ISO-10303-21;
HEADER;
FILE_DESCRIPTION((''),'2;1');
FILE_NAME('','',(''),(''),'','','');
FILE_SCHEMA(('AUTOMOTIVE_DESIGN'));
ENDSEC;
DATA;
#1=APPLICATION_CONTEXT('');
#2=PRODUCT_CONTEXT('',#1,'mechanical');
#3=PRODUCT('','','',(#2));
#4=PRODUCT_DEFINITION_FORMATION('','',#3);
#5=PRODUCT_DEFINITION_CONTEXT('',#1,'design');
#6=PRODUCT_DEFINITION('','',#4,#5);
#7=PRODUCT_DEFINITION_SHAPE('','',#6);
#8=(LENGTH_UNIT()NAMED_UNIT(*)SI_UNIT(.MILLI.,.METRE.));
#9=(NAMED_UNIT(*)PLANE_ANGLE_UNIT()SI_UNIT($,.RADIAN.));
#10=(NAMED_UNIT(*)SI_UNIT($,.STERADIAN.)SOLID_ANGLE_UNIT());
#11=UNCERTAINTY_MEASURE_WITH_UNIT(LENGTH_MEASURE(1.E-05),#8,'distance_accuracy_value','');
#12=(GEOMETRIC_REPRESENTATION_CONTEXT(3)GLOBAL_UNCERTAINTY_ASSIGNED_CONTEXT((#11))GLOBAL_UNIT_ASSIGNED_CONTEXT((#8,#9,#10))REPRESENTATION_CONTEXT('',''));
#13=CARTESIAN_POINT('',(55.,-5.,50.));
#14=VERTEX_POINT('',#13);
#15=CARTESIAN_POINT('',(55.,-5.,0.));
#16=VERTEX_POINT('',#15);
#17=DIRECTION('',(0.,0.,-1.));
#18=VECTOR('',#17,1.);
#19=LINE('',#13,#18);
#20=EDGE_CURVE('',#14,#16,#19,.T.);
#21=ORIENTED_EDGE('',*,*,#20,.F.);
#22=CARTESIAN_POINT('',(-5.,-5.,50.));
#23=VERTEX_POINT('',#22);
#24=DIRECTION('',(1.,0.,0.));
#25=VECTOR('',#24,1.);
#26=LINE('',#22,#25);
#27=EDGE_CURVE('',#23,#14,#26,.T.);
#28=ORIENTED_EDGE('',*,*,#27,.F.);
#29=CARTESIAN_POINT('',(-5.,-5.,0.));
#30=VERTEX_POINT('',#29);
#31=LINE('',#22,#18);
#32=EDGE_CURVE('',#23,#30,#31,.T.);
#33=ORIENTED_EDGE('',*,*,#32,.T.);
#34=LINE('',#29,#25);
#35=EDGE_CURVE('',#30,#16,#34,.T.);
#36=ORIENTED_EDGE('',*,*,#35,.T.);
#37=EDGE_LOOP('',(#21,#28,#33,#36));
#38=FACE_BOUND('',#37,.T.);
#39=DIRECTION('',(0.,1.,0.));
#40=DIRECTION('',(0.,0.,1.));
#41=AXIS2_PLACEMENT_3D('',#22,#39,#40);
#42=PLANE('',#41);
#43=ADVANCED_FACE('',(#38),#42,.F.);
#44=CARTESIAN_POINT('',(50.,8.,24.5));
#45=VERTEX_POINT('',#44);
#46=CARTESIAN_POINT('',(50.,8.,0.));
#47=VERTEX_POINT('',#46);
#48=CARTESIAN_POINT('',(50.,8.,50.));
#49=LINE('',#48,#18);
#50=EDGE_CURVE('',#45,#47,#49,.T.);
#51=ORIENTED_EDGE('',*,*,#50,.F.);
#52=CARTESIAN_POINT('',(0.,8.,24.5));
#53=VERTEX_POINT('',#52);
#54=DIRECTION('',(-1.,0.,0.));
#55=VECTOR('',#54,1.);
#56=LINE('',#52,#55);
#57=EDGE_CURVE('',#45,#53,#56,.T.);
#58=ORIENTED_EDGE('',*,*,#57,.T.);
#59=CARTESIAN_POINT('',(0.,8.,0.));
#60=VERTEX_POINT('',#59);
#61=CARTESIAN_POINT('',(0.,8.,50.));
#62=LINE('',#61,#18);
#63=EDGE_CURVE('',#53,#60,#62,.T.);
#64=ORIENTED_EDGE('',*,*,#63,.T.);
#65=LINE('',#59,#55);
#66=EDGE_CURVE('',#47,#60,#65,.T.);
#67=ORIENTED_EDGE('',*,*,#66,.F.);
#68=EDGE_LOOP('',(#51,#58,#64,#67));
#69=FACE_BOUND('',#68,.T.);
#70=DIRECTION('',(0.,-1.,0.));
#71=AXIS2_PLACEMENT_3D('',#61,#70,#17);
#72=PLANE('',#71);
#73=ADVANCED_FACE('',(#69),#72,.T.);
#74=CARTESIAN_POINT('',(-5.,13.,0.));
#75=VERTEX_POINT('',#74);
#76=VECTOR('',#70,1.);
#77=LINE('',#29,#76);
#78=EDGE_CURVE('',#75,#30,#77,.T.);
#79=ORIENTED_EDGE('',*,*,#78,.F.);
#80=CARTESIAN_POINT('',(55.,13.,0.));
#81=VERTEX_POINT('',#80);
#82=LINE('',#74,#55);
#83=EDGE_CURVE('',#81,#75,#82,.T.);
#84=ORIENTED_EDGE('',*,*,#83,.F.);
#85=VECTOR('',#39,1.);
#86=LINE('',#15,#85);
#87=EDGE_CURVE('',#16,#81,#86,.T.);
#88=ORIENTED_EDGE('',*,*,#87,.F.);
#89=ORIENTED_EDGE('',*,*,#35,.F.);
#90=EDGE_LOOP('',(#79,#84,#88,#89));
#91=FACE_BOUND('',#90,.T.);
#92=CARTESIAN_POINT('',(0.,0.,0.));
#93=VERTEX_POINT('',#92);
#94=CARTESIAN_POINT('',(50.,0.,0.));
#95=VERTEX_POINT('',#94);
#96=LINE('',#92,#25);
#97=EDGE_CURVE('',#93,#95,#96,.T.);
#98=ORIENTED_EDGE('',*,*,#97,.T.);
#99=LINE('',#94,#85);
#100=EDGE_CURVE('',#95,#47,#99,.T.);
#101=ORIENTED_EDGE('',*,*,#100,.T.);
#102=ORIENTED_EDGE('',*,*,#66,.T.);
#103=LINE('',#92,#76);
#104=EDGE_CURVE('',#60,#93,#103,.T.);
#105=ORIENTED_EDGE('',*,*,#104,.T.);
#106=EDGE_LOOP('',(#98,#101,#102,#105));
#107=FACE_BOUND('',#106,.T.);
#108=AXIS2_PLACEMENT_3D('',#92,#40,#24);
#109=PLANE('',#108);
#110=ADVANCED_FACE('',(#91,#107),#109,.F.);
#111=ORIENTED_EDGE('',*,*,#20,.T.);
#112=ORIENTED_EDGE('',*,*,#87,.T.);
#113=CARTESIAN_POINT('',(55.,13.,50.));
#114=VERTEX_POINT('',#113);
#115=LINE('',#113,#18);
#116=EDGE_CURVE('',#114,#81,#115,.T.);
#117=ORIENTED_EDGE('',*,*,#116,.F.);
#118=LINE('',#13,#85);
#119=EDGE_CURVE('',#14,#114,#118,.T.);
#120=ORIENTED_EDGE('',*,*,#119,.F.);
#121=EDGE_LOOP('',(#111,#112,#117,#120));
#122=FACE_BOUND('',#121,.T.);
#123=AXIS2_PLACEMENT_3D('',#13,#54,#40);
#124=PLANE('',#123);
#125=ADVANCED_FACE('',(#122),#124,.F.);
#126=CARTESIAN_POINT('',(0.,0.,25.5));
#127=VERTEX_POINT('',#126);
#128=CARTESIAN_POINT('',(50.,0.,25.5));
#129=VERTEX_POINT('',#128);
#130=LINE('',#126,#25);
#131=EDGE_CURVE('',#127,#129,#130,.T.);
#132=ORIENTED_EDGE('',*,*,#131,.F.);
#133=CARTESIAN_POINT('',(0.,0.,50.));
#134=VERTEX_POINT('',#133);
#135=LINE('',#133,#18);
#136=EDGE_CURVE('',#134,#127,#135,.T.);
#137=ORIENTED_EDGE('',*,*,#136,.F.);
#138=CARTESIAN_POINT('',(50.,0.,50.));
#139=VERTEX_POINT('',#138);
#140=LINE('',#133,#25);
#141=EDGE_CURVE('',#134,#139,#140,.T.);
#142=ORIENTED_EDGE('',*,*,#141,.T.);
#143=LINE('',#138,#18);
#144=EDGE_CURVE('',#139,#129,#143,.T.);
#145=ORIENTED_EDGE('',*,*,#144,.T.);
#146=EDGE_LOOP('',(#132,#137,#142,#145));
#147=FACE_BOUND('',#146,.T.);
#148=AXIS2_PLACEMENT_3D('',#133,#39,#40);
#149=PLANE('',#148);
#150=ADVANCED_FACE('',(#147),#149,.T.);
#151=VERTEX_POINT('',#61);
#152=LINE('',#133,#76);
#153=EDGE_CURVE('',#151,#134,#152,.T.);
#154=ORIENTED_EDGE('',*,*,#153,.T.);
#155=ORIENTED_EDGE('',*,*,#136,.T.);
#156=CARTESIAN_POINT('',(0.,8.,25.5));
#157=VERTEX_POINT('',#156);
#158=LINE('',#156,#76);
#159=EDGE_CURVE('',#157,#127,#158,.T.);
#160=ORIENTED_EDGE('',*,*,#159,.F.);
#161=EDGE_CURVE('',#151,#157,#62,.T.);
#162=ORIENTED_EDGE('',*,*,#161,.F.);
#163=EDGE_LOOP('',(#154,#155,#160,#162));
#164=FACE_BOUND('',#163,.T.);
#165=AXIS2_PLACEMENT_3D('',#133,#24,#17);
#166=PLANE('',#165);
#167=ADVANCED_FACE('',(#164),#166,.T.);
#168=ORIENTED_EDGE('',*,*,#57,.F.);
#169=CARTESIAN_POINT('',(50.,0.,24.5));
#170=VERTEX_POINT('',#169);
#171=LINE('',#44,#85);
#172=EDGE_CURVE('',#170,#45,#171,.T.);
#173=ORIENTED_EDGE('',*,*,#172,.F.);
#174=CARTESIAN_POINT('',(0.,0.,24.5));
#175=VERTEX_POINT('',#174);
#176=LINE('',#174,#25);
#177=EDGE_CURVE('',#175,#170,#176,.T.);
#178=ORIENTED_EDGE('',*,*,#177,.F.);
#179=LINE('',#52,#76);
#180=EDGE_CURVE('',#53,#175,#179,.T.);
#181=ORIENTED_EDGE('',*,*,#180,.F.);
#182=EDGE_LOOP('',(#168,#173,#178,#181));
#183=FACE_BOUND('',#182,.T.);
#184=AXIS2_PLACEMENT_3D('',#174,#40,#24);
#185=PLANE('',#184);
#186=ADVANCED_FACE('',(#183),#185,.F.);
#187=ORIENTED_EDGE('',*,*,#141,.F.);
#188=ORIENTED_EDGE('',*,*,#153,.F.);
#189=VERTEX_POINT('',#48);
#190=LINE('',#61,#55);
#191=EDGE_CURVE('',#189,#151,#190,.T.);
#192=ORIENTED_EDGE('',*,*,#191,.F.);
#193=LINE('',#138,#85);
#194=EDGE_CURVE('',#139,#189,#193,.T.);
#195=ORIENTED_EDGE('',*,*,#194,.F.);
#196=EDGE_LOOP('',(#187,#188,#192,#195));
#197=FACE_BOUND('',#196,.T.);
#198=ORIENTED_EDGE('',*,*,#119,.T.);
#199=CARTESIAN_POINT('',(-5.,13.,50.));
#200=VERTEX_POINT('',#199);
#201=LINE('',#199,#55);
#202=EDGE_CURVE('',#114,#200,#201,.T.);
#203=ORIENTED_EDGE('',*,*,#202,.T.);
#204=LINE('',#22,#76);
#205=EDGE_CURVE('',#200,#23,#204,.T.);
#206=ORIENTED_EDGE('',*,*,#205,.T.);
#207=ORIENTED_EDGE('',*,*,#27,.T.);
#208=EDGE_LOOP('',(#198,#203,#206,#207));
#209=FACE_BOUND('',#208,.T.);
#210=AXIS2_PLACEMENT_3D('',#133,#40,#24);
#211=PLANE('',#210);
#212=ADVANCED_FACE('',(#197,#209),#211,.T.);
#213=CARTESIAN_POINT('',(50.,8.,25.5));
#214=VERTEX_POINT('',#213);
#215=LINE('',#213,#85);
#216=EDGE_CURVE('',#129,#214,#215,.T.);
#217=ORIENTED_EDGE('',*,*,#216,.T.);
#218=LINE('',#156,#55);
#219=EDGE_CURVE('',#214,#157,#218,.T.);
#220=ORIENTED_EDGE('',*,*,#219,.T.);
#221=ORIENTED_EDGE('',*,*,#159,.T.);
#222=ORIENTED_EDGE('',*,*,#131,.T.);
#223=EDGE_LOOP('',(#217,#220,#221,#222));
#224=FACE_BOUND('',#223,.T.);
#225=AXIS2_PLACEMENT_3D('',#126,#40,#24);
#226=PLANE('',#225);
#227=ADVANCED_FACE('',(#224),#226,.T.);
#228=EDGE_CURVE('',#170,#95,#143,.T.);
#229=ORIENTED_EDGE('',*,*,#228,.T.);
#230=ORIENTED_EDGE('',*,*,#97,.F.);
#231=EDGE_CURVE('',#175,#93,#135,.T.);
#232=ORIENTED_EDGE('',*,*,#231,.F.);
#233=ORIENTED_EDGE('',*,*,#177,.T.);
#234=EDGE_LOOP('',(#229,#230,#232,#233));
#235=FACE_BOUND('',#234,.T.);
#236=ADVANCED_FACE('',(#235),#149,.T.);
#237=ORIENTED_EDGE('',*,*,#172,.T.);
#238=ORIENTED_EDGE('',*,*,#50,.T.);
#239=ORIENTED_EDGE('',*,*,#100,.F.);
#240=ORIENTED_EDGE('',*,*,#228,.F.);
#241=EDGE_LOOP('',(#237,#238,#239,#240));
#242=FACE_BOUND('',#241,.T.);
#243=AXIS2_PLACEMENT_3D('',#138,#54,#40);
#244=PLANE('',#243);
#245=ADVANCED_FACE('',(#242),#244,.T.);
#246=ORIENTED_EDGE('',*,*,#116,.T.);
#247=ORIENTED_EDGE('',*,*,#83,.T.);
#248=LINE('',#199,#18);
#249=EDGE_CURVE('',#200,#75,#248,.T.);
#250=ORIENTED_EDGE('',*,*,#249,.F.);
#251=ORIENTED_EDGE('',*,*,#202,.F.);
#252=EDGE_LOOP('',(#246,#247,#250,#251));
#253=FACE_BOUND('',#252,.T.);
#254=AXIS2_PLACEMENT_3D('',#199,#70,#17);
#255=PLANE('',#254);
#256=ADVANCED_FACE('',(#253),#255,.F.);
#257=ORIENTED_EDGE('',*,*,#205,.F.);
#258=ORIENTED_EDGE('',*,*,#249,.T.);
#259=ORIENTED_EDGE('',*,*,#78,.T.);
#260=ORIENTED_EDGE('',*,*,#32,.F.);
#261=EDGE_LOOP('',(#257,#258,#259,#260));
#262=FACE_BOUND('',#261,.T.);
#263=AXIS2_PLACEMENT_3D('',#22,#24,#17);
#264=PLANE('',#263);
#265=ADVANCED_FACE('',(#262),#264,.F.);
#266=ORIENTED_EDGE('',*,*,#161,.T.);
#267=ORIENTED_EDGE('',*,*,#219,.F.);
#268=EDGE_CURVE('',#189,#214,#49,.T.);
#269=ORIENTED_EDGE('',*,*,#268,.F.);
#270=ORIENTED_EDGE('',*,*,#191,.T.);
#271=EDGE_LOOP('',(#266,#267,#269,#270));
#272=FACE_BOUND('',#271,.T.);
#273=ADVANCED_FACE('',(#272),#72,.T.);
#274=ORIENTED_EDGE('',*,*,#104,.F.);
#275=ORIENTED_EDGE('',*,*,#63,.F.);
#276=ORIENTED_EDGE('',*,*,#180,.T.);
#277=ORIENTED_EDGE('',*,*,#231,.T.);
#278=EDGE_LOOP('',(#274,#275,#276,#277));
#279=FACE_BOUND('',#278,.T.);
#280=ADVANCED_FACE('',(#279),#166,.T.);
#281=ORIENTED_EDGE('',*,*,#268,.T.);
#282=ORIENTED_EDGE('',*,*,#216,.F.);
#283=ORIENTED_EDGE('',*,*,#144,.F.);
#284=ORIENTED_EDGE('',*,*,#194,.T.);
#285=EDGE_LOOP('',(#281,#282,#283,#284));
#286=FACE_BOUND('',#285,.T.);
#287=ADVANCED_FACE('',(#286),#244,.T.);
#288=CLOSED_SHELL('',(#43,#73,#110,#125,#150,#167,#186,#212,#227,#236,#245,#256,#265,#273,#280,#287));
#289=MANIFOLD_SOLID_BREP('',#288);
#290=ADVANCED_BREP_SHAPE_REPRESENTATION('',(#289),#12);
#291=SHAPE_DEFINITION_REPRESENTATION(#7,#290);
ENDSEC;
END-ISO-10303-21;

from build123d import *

# Parameters (mm, degrees)
SKETCH_1_W      = 60
SKETCH_1_H      = 18
SKETCH_1_W_2    = 50
SKETCH_1_H_2    = 8
EXTRUDE_1_DEPTH = 50
SKETCH_2_W      = 50
SKETCH_2_H      = 8
EXTRUDE_2_DEPTH = 0.5


with BuildPart() as part:
    # 스케치1 → 보스-돌출1 (new body)
    with BuildSketch(Plane.XY):
        with Locations((25, 4)):
            Rectangle(SKETCH_1_W, SKETCH_1_H)
        with Locations((25, 4)):
            Rectangle(SKETCH_1_W_2, SKETCH_1_H_2, mode=Mode.SUBTRACT)
    extrude(amount=EXTRUDE_1_DEPTH)

    # 스케치2 → 보스-돌출2 (add, symmetric)
    with BuildSketch(Plane.XY.offset(25)):
        with Locations((25, 4)):
            Rectangle(SKETCH_2_W, SKETCH_2_H)
    extrude(amount=EXTRUDE_2_DEPTH, both=True)


solid = part.part
